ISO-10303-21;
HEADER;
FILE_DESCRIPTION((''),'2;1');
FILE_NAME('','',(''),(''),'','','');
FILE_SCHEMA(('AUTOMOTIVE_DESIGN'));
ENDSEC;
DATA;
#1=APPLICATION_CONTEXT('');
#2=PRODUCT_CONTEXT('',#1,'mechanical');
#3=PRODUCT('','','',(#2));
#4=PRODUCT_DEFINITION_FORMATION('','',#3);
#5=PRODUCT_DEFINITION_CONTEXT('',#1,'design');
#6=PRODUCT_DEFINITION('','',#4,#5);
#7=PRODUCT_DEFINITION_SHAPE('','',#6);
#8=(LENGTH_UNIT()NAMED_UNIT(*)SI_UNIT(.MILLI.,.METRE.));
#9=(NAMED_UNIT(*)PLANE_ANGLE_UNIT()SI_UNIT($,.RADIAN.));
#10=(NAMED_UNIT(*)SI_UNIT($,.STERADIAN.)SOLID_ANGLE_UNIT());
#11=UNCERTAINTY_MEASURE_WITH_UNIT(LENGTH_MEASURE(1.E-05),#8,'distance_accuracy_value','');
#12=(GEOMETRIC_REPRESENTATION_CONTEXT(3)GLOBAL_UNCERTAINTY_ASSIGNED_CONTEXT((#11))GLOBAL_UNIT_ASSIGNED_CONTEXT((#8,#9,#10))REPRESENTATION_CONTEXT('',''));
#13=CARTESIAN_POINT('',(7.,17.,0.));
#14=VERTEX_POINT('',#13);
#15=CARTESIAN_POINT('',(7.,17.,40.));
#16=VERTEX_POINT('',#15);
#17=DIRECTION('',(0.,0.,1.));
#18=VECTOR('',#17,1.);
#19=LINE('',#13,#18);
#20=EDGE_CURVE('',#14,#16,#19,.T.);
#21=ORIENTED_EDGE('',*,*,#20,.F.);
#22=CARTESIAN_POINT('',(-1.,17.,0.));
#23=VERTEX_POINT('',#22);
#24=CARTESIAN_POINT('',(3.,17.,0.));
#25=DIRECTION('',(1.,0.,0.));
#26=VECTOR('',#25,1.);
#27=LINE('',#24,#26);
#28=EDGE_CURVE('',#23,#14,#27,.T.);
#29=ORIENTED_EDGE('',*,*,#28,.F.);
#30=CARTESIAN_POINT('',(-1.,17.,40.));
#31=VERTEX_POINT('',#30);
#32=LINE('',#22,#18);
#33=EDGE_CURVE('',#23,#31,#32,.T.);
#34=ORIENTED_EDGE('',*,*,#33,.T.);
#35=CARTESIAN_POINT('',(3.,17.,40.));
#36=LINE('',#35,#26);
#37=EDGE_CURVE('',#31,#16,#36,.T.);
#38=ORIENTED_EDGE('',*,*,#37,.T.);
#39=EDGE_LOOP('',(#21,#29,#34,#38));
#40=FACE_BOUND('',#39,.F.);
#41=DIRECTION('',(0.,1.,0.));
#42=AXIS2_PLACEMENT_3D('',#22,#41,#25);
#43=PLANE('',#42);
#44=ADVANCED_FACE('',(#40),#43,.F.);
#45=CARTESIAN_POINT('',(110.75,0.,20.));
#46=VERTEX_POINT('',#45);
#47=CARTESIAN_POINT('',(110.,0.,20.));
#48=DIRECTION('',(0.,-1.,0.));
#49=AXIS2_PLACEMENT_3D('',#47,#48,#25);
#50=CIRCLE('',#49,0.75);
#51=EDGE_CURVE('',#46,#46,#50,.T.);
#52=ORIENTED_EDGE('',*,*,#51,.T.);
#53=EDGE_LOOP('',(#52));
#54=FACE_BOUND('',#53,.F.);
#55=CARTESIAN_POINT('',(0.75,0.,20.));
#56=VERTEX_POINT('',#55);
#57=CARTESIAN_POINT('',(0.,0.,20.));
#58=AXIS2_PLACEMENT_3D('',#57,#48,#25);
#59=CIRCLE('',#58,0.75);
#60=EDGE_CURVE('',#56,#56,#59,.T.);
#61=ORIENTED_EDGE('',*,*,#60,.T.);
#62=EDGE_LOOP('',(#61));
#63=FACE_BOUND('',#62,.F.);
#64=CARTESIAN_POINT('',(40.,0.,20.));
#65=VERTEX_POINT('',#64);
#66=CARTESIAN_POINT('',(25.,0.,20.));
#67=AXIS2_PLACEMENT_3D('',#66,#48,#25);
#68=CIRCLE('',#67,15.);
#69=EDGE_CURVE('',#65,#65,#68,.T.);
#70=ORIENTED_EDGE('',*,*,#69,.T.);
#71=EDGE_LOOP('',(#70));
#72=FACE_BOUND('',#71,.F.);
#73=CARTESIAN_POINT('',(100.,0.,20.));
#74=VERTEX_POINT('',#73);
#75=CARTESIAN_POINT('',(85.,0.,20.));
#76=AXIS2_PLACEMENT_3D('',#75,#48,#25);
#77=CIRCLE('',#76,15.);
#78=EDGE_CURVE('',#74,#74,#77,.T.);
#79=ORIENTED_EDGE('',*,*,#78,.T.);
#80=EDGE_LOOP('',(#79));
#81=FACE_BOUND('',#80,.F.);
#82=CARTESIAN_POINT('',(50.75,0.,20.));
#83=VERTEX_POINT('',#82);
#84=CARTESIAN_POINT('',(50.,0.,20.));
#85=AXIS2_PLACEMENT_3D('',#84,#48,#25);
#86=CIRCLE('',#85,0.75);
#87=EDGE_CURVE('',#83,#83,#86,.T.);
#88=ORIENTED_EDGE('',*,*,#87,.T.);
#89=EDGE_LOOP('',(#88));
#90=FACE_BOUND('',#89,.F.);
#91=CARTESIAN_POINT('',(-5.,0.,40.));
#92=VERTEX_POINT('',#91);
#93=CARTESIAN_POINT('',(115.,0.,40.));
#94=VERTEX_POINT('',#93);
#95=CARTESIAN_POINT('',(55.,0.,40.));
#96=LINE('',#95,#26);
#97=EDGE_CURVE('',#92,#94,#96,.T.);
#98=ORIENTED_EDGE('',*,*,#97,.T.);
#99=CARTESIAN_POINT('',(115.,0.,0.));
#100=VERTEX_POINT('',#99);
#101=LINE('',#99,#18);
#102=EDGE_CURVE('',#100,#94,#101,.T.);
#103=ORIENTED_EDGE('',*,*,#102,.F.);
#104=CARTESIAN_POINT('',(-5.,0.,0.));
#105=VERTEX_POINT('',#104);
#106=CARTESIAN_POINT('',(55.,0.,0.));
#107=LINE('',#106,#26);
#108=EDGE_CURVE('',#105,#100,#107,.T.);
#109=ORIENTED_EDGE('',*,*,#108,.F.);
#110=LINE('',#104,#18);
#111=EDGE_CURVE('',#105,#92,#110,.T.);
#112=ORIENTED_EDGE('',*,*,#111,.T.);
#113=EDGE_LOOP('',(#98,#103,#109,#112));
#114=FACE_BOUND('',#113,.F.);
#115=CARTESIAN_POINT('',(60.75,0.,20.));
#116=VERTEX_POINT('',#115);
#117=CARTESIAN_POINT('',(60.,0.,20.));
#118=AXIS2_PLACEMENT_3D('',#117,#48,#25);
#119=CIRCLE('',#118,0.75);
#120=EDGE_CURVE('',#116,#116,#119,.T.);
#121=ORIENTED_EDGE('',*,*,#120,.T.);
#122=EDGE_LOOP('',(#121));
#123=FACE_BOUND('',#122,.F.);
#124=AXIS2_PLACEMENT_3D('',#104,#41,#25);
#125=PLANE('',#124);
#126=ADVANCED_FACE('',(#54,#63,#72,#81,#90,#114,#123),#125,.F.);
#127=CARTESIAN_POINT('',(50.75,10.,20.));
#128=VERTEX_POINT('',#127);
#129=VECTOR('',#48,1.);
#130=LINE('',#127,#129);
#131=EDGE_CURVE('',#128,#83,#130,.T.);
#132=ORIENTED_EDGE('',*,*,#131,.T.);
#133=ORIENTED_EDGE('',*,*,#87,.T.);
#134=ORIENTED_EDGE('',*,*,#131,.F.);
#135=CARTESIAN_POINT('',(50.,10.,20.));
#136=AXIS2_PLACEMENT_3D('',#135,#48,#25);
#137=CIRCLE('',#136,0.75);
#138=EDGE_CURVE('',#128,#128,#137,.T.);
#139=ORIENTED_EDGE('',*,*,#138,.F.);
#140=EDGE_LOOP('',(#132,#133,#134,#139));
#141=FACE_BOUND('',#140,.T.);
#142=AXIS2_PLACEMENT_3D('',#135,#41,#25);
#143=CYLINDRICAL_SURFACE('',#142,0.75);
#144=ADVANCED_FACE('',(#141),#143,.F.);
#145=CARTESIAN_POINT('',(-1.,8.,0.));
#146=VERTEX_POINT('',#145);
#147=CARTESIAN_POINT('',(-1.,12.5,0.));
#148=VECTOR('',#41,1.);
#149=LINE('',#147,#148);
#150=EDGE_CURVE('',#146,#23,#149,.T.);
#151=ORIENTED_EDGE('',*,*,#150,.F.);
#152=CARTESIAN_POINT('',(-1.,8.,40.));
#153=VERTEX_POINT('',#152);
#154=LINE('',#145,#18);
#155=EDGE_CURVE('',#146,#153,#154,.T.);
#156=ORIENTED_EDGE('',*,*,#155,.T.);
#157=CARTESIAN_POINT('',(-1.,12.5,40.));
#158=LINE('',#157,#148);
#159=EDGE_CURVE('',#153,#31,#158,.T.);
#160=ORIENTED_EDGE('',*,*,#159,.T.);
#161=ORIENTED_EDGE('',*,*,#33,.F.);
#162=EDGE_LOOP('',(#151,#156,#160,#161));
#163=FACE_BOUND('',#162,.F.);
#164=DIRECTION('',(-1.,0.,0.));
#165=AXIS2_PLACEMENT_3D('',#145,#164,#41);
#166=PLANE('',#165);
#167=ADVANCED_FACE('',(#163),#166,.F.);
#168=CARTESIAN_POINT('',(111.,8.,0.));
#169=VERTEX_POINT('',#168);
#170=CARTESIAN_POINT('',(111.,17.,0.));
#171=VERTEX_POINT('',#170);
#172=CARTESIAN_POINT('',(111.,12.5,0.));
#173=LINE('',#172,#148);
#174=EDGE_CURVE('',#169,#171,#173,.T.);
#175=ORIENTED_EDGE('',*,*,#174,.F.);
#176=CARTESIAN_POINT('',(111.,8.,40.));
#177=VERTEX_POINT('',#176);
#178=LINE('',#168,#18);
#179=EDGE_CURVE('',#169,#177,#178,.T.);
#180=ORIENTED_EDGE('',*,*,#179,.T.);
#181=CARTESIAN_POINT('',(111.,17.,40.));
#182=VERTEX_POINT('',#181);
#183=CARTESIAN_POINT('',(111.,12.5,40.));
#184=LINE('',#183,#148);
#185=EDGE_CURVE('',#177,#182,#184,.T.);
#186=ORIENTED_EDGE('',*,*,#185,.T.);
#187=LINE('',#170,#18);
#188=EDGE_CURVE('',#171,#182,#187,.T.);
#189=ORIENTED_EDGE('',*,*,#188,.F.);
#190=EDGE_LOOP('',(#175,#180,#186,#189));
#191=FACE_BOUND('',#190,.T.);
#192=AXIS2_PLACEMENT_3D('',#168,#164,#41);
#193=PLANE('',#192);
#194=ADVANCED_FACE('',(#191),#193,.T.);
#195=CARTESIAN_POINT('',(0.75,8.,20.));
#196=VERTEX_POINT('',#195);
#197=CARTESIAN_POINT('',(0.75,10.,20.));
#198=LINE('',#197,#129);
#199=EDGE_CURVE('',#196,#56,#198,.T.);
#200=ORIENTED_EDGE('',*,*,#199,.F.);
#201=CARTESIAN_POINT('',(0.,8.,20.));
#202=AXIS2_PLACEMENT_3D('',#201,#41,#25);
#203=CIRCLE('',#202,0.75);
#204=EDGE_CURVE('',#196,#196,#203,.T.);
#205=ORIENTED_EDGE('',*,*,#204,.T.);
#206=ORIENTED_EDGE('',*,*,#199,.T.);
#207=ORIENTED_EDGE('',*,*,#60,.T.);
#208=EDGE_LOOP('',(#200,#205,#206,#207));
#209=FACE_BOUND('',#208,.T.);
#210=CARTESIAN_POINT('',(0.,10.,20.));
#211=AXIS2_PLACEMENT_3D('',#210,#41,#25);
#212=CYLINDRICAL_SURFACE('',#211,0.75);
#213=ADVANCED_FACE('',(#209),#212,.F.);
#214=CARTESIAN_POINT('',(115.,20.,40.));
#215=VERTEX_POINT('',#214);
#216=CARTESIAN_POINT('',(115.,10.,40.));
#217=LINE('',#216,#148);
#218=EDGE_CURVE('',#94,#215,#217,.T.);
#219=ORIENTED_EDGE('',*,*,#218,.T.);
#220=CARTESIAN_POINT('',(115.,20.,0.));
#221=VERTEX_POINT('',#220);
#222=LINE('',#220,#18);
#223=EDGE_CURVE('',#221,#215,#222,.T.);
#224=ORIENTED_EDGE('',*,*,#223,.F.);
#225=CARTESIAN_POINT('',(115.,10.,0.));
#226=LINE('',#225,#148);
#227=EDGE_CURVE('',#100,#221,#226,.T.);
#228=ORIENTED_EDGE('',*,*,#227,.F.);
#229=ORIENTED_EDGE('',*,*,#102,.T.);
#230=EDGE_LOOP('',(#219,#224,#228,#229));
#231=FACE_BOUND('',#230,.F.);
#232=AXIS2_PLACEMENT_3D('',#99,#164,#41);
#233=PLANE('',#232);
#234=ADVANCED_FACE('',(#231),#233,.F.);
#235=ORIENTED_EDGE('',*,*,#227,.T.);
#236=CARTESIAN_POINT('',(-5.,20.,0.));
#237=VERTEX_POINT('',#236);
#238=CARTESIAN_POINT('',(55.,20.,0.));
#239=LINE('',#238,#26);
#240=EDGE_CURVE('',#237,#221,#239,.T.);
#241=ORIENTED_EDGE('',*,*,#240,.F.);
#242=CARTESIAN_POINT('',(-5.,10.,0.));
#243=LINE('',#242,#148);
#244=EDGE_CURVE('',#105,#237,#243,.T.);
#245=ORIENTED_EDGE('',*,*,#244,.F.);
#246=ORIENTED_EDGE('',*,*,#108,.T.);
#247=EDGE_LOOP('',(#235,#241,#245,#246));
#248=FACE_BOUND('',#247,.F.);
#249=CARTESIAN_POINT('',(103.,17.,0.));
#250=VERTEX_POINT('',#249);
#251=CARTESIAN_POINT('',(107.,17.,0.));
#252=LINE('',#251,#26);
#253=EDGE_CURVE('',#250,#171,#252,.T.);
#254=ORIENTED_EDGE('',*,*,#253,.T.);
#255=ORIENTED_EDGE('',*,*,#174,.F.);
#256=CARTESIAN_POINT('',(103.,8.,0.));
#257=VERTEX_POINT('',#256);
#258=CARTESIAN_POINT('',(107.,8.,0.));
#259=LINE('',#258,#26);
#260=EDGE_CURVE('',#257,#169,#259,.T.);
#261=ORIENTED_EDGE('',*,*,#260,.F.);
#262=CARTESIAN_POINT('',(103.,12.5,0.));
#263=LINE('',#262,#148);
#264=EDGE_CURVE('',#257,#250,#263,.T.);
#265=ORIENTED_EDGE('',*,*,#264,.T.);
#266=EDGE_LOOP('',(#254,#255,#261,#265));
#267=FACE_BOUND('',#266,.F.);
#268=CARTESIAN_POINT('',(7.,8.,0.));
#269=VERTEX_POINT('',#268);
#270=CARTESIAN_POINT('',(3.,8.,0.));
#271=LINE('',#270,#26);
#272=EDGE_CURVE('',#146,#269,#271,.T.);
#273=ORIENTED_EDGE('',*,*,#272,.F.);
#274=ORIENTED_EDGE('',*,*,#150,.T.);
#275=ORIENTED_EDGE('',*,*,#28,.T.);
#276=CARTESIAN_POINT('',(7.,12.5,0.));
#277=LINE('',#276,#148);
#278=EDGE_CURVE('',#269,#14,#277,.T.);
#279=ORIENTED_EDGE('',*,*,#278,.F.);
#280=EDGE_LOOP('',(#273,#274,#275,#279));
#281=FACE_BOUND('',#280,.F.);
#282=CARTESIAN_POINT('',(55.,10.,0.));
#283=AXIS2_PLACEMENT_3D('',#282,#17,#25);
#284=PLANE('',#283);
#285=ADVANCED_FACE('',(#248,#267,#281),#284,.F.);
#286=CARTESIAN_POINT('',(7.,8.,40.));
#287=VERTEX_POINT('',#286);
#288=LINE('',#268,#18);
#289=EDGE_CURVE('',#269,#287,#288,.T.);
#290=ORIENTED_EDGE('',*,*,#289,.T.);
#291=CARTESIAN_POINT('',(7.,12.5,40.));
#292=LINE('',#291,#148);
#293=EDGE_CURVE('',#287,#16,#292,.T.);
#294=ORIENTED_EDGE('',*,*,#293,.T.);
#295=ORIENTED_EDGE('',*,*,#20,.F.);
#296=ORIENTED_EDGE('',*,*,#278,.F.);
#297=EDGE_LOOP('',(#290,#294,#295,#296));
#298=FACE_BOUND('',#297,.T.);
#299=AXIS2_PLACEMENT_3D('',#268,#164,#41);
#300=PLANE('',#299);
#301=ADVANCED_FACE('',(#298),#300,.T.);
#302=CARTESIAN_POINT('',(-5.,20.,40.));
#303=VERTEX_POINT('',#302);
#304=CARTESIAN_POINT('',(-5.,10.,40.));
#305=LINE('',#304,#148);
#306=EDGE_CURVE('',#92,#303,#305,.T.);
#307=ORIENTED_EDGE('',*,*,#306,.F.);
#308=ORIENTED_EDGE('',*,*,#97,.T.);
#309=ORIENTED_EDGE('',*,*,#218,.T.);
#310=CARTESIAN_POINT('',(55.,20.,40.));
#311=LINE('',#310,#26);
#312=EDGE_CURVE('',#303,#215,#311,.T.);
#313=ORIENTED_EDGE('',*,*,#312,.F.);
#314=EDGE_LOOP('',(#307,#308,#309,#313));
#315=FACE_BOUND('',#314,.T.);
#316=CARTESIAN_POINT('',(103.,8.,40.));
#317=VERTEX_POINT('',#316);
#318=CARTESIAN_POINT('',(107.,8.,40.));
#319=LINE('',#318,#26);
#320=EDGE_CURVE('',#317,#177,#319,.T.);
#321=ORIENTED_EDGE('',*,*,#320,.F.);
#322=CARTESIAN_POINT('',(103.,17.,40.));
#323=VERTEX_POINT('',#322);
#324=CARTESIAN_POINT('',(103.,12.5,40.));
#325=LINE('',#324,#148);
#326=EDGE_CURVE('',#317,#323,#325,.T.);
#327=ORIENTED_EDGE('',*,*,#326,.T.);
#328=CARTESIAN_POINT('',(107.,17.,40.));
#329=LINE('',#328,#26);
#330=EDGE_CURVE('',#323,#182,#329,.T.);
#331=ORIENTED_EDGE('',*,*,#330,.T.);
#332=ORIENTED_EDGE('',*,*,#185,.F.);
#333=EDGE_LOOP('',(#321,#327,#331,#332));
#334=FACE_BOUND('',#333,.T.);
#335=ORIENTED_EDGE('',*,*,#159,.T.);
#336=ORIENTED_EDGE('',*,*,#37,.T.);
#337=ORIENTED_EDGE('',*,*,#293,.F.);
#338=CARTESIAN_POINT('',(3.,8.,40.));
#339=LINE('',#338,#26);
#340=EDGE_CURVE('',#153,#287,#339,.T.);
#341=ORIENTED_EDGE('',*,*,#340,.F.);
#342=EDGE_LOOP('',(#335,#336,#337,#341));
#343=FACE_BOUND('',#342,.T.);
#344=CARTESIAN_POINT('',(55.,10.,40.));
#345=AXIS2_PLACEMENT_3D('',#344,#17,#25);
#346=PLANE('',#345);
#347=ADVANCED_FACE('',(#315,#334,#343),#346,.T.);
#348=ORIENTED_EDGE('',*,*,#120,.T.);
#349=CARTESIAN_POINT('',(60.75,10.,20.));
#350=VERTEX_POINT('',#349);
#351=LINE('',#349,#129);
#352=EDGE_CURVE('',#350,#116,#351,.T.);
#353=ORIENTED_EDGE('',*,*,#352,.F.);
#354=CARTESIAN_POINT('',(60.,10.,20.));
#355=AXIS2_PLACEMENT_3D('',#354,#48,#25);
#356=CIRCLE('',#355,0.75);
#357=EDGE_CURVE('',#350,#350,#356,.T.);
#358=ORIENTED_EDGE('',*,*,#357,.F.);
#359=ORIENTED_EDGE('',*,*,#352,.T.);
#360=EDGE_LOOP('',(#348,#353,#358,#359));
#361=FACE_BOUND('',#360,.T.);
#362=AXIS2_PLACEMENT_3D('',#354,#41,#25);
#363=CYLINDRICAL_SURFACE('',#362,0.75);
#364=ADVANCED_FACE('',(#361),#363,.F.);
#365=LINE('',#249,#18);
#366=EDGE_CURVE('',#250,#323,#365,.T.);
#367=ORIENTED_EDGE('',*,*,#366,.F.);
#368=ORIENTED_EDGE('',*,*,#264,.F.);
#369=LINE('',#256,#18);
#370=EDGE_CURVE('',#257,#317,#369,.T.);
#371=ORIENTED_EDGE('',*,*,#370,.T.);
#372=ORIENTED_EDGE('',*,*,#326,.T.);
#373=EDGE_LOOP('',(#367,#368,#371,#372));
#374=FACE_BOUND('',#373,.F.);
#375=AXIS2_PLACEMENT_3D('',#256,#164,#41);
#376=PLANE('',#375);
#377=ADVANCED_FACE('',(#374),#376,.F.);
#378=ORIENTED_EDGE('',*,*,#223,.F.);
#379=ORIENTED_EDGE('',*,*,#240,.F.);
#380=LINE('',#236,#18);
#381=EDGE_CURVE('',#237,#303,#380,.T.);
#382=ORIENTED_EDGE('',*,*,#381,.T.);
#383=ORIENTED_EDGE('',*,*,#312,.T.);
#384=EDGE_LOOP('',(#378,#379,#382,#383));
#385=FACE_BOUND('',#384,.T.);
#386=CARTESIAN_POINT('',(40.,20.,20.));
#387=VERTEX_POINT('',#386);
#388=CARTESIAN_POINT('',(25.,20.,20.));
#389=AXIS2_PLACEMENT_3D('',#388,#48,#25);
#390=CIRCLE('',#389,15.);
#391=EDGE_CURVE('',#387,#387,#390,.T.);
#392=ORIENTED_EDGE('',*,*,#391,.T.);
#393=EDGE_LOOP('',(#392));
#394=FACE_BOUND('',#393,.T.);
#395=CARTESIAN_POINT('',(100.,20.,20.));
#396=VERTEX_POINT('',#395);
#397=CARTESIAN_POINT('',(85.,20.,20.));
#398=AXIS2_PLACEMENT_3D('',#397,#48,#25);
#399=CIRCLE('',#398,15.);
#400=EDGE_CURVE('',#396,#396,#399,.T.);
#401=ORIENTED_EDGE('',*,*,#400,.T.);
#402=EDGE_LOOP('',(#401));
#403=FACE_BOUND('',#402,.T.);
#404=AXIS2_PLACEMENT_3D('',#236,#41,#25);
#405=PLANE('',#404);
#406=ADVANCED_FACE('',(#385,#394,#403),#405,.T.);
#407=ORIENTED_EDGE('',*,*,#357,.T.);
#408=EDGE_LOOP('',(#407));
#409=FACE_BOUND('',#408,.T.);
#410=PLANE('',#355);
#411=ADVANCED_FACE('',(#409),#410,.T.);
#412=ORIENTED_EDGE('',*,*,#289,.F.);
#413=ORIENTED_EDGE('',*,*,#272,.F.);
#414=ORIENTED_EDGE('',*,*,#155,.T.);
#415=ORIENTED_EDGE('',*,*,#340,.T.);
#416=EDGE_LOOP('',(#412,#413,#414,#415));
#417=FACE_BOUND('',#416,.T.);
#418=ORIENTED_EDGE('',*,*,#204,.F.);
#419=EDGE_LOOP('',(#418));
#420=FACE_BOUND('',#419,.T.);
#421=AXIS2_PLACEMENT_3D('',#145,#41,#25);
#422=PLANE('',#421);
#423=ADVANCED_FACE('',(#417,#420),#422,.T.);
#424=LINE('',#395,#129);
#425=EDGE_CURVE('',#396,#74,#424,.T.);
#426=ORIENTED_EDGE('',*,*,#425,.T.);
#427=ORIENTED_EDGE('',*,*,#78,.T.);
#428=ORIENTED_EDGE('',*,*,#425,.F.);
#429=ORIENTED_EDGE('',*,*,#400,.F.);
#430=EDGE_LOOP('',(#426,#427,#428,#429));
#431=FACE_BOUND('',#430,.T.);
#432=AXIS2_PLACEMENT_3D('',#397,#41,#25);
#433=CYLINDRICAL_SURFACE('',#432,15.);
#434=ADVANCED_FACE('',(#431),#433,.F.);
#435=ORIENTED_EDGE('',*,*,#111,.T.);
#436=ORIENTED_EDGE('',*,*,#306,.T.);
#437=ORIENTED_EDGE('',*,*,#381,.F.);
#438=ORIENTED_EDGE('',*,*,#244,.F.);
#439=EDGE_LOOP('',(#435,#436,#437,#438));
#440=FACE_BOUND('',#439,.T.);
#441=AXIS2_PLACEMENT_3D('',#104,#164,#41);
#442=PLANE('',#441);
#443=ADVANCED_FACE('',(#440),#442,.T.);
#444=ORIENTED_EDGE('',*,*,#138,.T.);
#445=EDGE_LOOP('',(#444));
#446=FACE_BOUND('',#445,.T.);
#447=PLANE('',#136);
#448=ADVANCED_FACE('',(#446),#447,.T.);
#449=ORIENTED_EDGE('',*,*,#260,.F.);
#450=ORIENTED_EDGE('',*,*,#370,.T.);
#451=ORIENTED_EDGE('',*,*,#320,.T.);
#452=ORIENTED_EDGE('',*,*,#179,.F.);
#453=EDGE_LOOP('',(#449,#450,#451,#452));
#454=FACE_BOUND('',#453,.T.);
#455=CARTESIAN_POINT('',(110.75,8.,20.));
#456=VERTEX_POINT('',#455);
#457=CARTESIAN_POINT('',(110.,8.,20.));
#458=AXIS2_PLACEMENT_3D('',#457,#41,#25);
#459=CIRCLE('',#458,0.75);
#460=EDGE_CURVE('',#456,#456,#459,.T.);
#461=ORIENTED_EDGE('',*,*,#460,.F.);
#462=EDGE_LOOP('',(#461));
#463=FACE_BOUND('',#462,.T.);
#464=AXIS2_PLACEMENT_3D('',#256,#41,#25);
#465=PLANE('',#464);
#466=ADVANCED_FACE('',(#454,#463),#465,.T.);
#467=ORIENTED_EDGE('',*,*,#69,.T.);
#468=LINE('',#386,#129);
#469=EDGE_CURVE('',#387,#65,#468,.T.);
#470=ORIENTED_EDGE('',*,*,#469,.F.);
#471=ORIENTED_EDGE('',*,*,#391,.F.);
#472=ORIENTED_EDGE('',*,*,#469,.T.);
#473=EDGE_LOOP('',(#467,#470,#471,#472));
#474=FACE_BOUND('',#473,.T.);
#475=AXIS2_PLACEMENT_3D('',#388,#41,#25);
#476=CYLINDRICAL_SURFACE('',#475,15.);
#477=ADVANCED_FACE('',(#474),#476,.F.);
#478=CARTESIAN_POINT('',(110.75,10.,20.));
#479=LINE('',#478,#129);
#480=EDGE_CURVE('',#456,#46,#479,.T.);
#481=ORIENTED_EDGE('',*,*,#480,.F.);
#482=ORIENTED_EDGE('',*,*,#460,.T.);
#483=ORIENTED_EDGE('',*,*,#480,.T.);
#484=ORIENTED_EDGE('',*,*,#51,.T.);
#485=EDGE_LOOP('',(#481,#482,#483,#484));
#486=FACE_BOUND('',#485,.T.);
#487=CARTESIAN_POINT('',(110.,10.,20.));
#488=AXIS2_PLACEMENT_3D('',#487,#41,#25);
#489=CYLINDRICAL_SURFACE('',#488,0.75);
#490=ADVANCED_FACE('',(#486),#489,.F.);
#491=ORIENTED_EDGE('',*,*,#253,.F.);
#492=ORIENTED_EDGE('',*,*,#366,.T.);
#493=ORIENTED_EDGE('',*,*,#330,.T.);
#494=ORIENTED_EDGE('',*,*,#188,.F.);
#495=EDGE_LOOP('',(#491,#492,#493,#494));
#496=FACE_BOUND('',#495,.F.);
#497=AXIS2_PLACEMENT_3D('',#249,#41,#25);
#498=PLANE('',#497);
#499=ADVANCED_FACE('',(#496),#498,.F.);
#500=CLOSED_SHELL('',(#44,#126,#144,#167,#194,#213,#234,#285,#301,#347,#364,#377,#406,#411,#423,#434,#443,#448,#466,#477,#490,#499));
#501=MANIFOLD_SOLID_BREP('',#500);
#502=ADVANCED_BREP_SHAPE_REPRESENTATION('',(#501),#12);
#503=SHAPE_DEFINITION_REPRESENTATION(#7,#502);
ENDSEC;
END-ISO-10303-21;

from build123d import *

# Parameters (mm, degrees)
CYLINDER001_R          = 0.75
CYLINDER001_DEPTH      = 10
CYLINDER001_ROLL_ANGLE = 90
CYLINDER002_R          = 0.75
CYLINDER002_DEPTH      = 10
CYLINDER002_ROLL_ANGLE = 90
CYLINDER_R             = 15
CYLINDER_DEPTH         = 20
CYLINDER_ROLL_ANGLE    = 90
BOX001_W               = 8
BOX001_H               = 9
BOX001_DEPTH           = 40
BOX002_W               = 8
BOX002_H               = 9
BOX002_DEPTH           = 40
BOX_W                  = 120
BOX_H                  = 20
BOX_DEPTH              = 40


with BuildPart() as zylinder001:
    # Cylinder001 → Cylinder001 (new body)
    with BuildSketch(Plane.XY):
        Circle(CYLINDER001_R)
    extrude(amount=CYLINDER001_DEPTH)


with BuildPart() as zylinder001_1:
    # Cylinder001 roll: moved
    add(zylinder001.part.rotate(Axis((0, 0, 0), (1, 0, 0)), CYLINDER001_ROLL_ANGLE))


with BuildPart() as zylinder001_2:
    # Cylinder001 placement: moved
    add(zylinder001_1.part.moved(Location((0, 10, 20))))


with BuildPart() as zylinder002:
    # Cylinder002 → Cylinder002 (new body)
    with BuildSketch(Plane.XY):
        Circle(CYLINDER002_R)
    extrude(amount=CYLINDER002_DEPTH)


with BuildPart() as zylinder002_1:
    # Cylinder002 roll: moved
    add(zylinder002.part.rotate(Axis((0, 0, 0), (1, 0, 0)), CYLINDER002_ROLL_ANGLE))


with BuildPart() as zylinder002_2:
    # Cylinder002 placement: moved
    add(zylinder002_1.part.moved(Location((50, 10, 20))))


with BuildPart() as zylinder:
    # Cylinder → Cylinder (new body)
    with BuildSketch(Plane.XY):
        Circle(CYLINDER_R)
    extrude(amount=CYLINDER_DEPTH)


with BuildPart() as zylinder_1:
    # Cylinder roll: moved
    add(zylinder.part.rotate(Axis((0, 0, 0), (1, 0, 0)), CYLINDER_ROLL_ANGLE))


with BuildPart() as zylinder_2:
    # Cylinder placement: moved
    add(zylinder_1.part.moved(Location((25, 20, 20))))


with BuildPart() as fusion001:
    # Fusion001 base: copy of Zylinder
    add(zylinder_2.part)

    # Fusion001: union Zylinder001, Zylinder002
    add(zylinder001_2.part)
    add(zylinder002_2.part)


with BuildPart() as cube001:
    # Box001 → Box001 (new body)
    with BuildSketch(Plane(origin=(-1, 8, 0), x_dir=(1, 0, 0), z_dir=(0, 0, 1))):
        with Locations((4, 4.5)):
            Rectangle(BOX001_W, BOX001_H)
    extrude(amount=BOX001_DEPTH)


with BuildPart() as cube002:
    # Box002 → Box002 (new body)
    with BuildSketch(Plane(origin=(103, 8, 0), x_dir=(1, 0, 0), z_dir=(0, 0, 1))):
        with Locations((4, 4.5)):
            Rectangle(BOX002_W, BOX002_H)
    extrude(amount=BOX002_DEPTH)


with BuildPart() as fusion002:
    # Fusion base: copy of Zylinder
    add(zylinder_2.part)

    # Fusion: union Zylinder001, Zylinder002
    add(zylinder001_2.part)
    add(zylinder002_2.part)


with BuildPart() as fusion002_1:
    # Fusion placement: moved
    add(fusion002.part.moved(Location((60, 0, 0))))

    # Fusion002: union Fusion001, Cube001, Cube002
    add(fusion001.part)
    add(cube001.part)
    add(cube002.part)


with BuildPart() as motorhalterung:
    # Box → Box (new body)
    with BuildSketch(Plane(origin=(-5, 0, 0), x_dir=(1, 0, 0), z_dir=(0, 0, 1))):
        with Locations((60, 10)):
            Rectangle(BOX_W, BOX_H)
    extrude(amount=BOX_DEPTH)

    # Cut: cut Fusion002
    add(fusion002_1.part, mode=Mode.SUBTRACT)


solid = motorhalterung.part
